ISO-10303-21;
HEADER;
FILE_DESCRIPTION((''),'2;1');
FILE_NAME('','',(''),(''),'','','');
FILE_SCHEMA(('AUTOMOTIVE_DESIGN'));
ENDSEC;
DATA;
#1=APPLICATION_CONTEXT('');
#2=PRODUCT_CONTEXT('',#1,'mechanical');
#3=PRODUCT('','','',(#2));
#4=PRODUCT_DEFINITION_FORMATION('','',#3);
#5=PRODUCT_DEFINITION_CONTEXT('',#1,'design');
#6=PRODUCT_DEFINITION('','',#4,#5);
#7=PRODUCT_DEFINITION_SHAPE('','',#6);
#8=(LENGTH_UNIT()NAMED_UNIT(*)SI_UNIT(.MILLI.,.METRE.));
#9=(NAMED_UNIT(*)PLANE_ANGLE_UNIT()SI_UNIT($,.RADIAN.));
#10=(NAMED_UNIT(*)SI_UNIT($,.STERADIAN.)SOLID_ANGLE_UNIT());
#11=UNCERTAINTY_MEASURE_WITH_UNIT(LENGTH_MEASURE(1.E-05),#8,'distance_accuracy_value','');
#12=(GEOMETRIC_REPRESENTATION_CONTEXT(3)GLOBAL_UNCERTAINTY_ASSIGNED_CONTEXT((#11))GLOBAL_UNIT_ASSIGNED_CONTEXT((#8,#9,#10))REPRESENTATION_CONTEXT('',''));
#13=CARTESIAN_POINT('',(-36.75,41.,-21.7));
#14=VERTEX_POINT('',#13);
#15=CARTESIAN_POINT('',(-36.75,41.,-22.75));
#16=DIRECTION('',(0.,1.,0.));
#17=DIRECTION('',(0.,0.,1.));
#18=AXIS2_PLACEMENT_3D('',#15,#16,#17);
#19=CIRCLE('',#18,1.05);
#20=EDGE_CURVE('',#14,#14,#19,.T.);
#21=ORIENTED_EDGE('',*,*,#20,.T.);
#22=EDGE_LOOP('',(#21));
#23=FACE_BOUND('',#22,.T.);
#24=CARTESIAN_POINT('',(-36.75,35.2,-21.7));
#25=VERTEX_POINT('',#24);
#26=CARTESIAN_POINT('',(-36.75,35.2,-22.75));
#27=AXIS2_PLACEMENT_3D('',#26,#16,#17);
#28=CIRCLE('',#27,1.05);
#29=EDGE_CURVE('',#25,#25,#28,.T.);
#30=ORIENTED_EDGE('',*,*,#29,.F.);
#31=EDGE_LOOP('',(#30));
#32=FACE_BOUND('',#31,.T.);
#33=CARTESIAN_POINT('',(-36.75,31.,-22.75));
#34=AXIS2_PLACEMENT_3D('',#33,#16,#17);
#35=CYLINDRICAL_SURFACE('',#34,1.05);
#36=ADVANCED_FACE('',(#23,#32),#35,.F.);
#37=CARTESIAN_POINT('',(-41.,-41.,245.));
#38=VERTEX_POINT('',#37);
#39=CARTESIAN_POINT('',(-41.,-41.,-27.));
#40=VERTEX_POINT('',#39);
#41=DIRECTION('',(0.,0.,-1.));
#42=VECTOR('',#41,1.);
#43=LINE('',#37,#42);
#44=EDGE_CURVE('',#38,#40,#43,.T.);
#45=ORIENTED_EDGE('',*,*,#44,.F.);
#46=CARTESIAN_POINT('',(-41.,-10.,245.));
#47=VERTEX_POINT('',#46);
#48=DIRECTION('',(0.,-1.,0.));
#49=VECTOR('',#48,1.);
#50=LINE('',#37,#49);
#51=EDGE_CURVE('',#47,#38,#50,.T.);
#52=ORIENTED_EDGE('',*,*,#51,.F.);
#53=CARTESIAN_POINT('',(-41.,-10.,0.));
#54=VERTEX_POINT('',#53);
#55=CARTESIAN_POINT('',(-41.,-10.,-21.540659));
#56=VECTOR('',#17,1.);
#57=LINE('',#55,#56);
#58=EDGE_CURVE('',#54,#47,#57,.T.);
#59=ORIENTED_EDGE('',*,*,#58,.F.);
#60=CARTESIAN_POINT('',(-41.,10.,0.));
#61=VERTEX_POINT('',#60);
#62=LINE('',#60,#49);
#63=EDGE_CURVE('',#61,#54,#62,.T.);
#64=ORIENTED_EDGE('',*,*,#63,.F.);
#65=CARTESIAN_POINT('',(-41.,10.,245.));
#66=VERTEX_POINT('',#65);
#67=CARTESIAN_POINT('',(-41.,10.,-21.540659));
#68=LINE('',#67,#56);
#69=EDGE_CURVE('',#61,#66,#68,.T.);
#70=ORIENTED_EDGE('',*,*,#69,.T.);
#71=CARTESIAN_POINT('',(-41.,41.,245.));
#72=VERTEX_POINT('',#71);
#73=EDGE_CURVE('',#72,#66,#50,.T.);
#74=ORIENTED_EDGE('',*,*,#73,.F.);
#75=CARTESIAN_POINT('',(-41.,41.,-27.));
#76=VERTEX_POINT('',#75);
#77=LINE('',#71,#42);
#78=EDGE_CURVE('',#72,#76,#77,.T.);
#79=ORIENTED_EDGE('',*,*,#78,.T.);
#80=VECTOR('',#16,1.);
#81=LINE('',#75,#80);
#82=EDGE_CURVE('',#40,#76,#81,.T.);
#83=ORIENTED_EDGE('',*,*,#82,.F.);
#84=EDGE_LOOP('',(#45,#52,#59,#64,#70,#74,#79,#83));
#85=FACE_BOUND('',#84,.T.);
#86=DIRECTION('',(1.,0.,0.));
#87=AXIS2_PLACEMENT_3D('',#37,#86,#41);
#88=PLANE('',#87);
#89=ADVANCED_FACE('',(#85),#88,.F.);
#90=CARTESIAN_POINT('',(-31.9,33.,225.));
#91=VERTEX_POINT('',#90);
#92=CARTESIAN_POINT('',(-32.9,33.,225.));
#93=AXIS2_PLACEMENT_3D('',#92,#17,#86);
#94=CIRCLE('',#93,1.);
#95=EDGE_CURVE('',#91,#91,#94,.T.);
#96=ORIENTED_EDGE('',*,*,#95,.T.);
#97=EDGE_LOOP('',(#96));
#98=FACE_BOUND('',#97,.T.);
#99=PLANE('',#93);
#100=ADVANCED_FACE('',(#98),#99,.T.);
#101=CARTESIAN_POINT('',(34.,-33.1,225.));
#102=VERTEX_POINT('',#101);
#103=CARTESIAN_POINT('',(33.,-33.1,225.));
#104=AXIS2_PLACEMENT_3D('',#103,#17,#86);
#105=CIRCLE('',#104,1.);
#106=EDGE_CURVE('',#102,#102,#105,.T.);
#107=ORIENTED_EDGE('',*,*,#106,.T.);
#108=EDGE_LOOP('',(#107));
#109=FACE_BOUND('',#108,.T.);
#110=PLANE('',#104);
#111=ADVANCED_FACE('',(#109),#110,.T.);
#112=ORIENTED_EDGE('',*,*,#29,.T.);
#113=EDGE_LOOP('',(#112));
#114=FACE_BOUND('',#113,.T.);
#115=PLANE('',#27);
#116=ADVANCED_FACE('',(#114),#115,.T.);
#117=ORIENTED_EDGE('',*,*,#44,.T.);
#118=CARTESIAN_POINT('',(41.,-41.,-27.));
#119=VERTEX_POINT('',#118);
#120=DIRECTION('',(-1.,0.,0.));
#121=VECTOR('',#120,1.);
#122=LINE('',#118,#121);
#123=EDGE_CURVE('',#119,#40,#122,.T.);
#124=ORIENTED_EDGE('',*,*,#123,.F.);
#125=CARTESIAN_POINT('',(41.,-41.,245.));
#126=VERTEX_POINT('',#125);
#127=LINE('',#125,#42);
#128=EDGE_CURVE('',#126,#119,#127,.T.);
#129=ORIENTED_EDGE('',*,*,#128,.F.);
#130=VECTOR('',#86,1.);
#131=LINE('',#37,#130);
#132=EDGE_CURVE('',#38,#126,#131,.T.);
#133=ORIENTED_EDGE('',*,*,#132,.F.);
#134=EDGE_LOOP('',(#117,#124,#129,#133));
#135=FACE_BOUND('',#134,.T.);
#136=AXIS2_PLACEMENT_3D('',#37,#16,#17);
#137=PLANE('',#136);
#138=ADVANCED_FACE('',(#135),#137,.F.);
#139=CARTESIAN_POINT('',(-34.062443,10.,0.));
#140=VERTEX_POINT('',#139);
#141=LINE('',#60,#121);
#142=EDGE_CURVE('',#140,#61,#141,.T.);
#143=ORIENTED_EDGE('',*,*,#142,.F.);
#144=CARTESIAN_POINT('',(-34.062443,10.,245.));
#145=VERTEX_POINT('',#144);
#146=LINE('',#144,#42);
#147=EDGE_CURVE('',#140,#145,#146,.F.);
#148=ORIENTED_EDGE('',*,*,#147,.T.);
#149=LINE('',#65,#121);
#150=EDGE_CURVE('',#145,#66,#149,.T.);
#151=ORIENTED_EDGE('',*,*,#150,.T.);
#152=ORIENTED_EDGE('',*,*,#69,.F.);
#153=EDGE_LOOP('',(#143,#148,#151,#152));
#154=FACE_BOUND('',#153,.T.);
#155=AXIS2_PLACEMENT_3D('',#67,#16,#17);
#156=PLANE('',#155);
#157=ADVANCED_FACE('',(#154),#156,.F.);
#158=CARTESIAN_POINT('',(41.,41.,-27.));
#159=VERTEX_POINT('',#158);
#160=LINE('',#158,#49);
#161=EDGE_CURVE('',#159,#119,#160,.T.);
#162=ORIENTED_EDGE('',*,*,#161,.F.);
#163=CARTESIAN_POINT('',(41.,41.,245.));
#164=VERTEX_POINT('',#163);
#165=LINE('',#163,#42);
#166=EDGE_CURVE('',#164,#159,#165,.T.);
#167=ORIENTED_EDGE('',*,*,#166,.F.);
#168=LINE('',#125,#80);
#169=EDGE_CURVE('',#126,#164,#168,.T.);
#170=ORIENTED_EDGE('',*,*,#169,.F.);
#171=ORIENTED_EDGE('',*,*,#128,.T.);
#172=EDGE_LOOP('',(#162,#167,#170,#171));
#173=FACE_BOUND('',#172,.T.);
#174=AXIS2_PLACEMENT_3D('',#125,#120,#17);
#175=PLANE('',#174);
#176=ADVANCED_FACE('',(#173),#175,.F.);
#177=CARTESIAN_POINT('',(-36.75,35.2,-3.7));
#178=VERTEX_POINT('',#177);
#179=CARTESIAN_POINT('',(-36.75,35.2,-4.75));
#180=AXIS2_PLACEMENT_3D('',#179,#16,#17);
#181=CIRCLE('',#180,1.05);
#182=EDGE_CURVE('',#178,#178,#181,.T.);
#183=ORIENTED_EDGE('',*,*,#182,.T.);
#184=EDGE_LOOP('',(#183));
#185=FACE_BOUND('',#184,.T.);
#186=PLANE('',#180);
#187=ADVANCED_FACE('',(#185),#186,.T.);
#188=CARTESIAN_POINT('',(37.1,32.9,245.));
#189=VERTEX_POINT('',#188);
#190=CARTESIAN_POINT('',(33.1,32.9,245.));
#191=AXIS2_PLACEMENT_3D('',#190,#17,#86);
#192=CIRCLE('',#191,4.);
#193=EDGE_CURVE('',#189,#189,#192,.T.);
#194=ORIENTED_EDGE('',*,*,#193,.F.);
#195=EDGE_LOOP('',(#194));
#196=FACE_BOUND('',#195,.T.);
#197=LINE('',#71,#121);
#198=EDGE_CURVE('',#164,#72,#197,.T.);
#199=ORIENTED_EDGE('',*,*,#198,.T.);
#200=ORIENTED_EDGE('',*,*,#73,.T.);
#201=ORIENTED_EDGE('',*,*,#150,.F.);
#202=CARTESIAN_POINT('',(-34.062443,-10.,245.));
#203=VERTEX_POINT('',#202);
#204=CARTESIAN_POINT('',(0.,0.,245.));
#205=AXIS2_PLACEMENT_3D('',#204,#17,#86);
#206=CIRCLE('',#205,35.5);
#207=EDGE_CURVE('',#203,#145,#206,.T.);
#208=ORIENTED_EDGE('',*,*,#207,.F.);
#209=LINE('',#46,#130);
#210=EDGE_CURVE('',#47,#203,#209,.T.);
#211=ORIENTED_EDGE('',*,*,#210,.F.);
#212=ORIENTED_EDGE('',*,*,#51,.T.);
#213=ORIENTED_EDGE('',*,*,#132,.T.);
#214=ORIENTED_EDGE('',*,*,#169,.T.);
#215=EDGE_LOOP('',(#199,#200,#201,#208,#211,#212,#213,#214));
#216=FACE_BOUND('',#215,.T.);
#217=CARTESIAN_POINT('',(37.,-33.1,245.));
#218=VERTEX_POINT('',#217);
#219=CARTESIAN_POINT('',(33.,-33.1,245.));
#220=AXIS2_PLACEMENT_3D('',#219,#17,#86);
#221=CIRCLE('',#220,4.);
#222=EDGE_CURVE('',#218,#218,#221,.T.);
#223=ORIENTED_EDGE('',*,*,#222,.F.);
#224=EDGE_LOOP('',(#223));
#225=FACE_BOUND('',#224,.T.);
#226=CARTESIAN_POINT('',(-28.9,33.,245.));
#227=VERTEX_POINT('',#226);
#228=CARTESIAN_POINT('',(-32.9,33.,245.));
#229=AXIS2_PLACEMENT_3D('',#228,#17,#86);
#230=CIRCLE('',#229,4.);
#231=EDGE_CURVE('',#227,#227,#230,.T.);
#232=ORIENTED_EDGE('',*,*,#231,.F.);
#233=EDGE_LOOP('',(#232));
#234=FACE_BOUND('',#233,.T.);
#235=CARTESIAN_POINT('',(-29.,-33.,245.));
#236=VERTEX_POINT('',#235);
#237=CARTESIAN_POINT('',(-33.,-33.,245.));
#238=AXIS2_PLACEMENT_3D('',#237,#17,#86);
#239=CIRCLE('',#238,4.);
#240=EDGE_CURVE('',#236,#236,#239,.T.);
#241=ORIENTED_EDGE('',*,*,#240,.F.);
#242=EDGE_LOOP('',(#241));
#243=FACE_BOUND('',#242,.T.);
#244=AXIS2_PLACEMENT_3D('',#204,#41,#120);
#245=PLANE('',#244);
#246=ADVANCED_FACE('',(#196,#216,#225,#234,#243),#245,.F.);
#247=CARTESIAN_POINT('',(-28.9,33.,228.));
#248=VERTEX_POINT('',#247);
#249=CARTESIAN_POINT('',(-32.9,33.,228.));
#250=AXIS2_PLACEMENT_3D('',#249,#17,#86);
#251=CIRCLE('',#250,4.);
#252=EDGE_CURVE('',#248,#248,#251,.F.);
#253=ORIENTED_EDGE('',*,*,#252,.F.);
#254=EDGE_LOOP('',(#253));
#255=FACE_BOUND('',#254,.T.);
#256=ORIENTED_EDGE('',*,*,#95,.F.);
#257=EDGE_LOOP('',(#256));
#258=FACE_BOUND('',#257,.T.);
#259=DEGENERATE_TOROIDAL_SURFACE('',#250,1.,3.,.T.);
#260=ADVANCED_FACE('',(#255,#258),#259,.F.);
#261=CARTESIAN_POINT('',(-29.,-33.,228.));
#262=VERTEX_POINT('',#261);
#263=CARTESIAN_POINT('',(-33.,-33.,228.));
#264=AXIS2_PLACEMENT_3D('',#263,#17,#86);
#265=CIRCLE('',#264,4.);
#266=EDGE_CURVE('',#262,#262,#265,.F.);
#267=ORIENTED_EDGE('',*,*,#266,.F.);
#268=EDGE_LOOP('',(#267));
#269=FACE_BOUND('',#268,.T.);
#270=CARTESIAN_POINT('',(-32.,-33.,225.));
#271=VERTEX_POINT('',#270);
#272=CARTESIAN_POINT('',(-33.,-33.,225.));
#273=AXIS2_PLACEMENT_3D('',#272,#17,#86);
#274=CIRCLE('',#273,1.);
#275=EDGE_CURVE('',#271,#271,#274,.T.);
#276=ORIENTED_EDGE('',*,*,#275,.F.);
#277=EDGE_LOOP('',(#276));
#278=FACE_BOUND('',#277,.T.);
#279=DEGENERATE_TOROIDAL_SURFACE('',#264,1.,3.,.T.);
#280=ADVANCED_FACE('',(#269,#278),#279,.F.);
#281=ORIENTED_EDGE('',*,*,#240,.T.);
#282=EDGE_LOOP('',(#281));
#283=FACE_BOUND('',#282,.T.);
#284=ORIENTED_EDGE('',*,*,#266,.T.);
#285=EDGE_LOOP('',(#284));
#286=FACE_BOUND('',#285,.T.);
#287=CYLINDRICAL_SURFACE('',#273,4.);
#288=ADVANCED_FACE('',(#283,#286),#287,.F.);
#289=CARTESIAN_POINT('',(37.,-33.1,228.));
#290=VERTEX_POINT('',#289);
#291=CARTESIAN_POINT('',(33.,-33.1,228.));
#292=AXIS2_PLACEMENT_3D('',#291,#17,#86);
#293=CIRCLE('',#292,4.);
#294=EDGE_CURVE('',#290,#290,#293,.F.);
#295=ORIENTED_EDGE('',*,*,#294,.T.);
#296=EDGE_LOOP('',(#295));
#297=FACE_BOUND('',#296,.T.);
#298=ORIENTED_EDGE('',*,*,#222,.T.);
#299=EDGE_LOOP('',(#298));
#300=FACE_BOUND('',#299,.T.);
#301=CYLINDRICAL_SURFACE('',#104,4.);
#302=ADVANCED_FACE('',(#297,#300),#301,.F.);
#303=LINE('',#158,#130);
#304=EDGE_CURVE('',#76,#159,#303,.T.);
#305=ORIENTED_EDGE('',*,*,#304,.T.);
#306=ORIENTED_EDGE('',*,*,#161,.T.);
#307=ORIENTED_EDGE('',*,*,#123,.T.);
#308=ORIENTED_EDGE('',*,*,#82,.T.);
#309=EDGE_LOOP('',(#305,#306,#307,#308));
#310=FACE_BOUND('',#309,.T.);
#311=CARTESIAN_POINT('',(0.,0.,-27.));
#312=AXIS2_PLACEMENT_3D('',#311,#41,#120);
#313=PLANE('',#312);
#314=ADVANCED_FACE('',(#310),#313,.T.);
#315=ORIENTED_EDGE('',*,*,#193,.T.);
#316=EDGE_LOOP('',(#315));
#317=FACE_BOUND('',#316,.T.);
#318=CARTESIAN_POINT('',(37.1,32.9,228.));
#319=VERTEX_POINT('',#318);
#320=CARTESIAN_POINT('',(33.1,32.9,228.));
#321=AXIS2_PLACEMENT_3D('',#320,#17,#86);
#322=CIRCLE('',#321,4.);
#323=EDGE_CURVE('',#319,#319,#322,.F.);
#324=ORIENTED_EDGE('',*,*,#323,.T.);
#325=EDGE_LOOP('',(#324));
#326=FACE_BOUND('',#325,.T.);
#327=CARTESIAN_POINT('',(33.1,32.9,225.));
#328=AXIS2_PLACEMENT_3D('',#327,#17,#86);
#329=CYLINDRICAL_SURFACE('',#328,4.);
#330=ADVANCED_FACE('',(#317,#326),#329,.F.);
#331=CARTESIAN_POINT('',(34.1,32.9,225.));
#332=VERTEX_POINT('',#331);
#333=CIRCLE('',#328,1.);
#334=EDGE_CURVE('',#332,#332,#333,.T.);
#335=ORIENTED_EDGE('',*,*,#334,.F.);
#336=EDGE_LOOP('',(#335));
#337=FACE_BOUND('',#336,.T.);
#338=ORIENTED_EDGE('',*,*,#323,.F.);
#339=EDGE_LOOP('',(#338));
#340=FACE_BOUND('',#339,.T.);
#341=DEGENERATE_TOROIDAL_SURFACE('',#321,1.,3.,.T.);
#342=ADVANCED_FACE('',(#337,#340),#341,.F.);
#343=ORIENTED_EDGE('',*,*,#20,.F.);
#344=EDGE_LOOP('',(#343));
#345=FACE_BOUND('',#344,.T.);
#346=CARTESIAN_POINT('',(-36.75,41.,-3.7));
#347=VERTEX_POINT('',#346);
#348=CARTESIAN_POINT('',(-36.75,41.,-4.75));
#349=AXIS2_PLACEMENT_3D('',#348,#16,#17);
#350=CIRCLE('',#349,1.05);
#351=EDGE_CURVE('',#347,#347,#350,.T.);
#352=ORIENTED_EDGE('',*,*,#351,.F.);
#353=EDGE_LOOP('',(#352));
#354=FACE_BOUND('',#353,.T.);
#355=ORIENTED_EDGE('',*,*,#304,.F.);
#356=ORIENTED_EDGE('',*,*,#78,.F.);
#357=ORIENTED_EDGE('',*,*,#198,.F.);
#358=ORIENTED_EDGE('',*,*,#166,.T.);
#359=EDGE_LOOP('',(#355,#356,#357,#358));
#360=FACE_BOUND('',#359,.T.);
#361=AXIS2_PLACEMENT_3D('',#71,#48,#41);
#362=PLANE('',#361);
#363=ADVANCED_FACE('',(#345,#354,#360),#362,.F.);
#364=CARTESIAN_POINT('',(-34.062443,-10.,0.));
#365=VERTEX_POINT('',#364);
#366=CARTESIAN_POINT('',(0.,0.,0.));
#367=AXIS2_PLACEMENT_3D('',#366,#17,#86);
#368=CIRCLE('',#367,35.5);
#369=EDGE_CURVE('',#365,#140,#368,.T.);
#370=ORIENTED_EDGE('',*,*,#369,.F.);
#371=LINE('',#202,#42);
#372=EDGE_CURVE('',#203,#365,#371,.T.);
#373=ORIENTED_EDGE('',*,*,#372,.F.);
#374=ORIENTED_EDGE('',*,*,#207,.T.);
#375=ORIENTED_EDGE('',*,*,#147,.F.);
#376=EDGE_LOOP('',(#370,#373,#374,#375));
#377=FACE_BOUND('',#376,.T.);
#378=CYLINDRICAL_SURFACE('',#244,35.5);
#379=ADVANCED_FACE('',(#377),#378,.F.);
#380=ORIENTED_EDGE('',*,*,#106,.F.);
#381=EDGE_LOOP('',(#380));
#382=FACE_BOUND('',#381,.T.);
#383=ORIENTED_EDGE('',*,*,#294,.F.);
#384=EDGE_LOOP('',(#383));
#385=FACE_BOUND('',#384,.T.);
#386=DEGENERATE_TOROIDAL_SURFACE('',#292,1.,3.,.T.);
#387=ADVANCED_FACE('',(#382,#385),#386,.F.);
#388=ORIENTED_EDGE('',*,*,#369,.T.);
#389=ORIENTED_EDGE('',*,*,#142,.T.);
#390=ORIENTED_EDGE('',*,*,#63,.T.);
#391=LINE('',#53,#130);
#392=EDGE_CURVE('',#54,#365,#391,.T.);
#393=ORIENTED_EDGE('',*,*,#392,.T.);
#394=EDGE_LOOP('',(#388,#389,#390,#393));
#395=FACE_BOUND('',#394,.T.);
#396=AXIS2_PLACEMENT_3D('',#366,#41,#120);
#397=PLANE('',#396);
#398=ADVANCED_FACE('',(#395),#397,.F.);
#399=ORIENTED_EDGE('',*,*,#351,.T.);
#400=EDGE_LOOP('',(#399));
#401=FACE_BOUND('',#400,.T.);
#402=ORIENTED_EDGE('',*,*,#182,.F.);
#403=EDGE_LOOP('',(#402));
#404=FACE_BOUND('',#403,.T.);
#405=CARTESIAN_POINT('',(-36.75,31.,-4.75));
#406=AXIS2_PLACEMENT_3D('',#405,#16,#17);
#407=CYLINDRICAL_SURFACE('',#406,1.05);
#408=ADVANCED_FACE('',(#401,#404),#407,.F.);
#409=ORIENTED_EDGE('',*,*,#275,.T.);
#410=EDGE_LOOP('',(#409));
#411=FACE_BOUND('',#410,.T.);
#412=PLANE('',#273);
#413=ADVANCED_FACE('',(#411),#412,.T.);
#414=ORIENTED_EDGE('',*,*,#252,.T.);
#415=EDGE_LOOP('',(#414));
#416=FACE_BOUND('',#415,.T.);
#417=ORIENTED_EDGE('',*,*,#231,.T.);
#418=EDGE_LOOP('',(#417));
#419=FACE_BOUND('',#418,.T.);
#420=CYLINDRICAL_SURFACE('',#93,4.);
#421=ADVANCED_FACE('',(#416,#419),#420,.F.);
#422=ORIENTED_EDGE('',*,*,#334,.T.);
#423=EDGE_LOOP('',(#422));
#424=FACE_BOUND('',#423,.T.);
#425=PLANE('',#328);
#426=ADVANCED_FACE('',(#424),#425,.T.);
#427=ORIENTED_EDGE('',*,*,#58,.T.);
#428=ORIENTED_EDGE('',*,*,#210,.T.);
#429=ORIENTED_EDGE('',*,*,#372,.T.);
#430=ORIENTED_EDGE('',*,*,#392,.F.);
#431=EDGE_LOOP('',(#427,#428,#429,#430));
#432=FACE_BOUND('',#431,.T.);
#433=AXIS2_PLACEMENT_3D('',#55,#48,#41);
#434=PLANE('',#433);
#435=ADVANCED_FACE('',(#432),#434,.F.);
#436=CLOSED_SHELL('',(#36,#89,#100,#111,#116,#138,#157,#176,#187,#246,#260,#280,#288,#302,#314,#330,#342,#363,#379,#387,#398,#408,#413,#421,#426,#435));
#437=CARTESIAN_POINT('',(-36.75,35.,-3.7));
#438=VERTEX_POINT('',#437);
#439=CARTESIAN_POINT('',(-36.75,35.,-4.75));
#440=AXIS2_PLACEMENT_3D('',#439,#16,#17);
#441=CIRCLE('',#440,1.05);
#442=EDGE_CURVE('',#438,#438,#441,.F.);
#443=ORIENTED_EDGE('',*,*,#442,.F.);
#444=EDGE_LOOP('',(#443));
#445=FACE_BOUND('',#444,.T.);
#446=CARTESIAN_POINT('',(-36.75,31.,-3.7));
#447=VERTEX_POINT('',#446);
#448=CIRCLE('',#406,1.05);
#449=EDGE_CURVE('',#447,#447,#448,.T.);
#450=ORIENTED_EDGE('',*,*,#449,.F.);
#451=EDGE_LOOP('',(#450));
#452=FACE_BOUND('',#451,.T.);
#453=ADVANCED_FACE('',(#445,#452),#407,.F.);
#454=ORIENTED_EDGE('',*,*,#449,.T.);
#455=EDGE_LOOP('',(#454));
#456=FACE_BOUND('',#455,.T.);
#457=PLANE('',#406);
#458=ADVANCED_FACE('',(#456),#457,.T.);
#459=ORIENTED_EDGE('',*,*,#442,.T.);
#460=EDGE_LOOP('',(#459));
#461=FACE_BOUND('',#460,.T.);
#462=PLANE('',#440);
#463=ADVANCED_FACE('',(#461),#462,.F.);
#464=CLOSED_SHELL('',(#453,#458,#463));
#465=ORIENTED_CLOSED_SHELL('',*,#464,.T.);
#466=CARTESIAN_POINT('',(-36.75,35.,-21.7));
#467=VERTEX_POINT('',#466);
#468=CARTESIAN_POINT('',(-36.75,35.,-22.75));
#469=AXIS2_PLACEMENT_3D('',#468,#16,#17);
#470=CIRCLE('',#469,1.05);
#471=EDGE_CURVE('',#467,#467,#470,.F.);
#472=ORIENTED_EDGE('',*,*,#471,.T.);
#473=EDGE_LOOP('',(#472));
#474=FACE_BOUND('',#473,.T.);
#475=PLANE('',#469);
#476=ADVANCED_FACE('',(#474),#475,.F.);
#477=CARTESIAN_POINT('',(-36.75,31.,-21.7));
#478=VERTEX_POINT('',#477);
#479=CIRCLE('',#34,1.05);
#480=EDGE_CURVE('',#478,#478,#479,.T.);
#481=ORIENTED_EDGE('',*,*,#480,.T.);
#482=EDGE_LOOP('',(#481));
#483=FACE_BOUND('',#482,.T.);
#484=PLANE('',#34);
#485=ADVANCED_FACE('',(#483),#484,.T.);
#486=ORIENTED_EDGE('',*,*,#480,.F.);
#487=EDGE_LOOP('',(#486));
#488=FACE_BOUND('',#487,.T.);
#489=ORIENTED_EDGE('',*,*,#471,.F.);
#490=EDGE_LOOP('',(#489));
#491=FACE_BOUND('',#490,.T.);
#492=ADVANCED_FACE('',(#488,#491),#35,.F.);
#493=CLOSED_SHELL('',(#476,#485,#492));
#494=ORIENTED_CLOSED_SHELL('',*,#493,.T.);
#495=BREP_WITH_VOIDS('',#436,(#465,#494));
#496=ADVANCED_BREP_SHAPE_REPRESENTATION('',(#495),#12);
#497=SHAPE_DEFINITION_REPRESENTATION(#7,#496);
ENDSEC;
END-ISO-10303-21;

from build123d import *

# Parameters (mm, degrees)
SKETCH_1_W          = 82
SKETCH_1_H          = 82
SKETCH_1_R          = 35.5
EXTRUDE_1_DEPTH     = 245
SKETCH_2_W          = 82
SKETCH_2_H          = 82
EXTRUDE_2_DEPTH     = 27
SKETCH_3_W          = 8
SKETCH_3_H          = 20
CUT_EXTRUDE_1_DEPTH = 245
SKETCH_4_R          = 4
CUT_EXTRUDE_2_DEPTH = 20
FILLET_2_R          = 3
FILLET_3_R          = 3
FILLET_4_R          = 3
FILLET_5_R          = 3
SKETCH_5_R          = 1.05
CUT_EXTRUDE_3_DEPTH = 10
EXTRUDE_START       = 0.2
SKETCH_6_R          = 1.05
EXTRUDE_3_DEPTH     = 0.2


with BuildPart() as part:
    # 草圖1 → 填料-伸長1 (new body)
    with BuildSketch(Plane.XY):
        Rectangle(SKETCH_1_W, SKETCH_1_H)
        Circle(SKETCH_1_R, mode=Mode.SUBTRACT)
    extrude(amount=EXTRUDE_1_DEPTH)

    # 草圖2 → 填料-伸長2 (add)
    with BuildSketch(Plane(origin=(0, 0, 0), x_dir=(-1, 0, 0), z_dir=(0, 0, -1))):
        Rectangle(SKETCH_2_W, SKETCH_2_H)
    extrude(amount=EXTRUDE_2_DEPTH)

    # 草圖3 → 除料-伸長1 (cut)
    with BuildSketch(Plane.XY.offset(245)):
        with Locations((-37, 0)):
            Rectangle(SKETCH_3_W, SKETCH_3_H)
    extrude(amount=-CUT_EXTRUDE_1_DEPTH, mode=Mode.SUBTRACT)

    # 草圖4 → 除料-伸長2 (cut)
    with BuildSketch(Plane.XY.offset(245)):
        with Locations((-32.9, 33)):
            Circle(SKETCH_4_R)
        with Locations((33.1, 32.9)):
            Circle(SKETCH_4_R)
        with Locations((33, -33.1)):
            Circle(SKETCH_4_R)
        with Locations((-33, -33)):
            Circle(SKETCH_4_R)
    extrude(amount=-CUT_EXTRUDE_2_DEPTH, mode=Mode.SUBTRACT)

    # 圓角2
    fillet_2_edges = [part.edges().sort_by_distance(p)[0] for p in [
        (-36.9, 33, 225),
    ]]
    fillet(fillet_2_edges, radius=FILLET_2_R)

    # 圓角3
    fillet_3_edges = [part.edges().sort_by_distance(p)[0] for p in [
        (29.1, 32.9, 225),
    ]]
    fillet(fillet_3_edges, radius=FILLET_3_R)

    # 圓角4
    fillet_4_edges = [part.edges().sort_by_distance(p)[0] for p in [
        (-37, -33, 225),
    ]]
    fillet(fillet_4_edges, radius=FILLET_4_R)

    # 圓角5
    fillet_5_edges = [part.edges().sort_by_distance(p)[0] for p in [
        (29, -33.1, 225),
    ]]
    fillet(fillet_5_edges, radius=FILLET_5_R)

    # 草圖5 → 除料-伸長3 (cut)
    with BuildSketch(Plane(origin=(0, 41, 0), x_dir=(1, 0, 0), z_dir=(0, 1, 0))):
        with Locations(Location((-36.75, 22.75, 0), (0, 0, 270))):
            Circle(SKETCH_5_R)
        with Locations(Location((-36.75, 4.75, 0), (0, 0, 270))):
            Circle(SKETCH_5_R)
    extrude(amount=-CUT_EXTRUDE_3_DEPTH, mode=Mode.SUBTRACT)

    # 草圖6 → 填料-伸長3 (add)
    with BuildSketch(Plane(origin=(0, 35, 0), x_dir=(1, 0, 0), z_dir=(0, 1, 0)).offset(EXTRUDE_START)):
        with Locations(Location((-36.75, 22.75, 0), (0, 0, 270))):
            Circle(SKETCH_6_R)
        with Locations(Location((-36.75, 4.75, 0), (0, 0, 270))):
            Circle(SKETCH_6_R)
    extrude(amount=-EXTRUDE_3_DEPTH)


solid = part.part
